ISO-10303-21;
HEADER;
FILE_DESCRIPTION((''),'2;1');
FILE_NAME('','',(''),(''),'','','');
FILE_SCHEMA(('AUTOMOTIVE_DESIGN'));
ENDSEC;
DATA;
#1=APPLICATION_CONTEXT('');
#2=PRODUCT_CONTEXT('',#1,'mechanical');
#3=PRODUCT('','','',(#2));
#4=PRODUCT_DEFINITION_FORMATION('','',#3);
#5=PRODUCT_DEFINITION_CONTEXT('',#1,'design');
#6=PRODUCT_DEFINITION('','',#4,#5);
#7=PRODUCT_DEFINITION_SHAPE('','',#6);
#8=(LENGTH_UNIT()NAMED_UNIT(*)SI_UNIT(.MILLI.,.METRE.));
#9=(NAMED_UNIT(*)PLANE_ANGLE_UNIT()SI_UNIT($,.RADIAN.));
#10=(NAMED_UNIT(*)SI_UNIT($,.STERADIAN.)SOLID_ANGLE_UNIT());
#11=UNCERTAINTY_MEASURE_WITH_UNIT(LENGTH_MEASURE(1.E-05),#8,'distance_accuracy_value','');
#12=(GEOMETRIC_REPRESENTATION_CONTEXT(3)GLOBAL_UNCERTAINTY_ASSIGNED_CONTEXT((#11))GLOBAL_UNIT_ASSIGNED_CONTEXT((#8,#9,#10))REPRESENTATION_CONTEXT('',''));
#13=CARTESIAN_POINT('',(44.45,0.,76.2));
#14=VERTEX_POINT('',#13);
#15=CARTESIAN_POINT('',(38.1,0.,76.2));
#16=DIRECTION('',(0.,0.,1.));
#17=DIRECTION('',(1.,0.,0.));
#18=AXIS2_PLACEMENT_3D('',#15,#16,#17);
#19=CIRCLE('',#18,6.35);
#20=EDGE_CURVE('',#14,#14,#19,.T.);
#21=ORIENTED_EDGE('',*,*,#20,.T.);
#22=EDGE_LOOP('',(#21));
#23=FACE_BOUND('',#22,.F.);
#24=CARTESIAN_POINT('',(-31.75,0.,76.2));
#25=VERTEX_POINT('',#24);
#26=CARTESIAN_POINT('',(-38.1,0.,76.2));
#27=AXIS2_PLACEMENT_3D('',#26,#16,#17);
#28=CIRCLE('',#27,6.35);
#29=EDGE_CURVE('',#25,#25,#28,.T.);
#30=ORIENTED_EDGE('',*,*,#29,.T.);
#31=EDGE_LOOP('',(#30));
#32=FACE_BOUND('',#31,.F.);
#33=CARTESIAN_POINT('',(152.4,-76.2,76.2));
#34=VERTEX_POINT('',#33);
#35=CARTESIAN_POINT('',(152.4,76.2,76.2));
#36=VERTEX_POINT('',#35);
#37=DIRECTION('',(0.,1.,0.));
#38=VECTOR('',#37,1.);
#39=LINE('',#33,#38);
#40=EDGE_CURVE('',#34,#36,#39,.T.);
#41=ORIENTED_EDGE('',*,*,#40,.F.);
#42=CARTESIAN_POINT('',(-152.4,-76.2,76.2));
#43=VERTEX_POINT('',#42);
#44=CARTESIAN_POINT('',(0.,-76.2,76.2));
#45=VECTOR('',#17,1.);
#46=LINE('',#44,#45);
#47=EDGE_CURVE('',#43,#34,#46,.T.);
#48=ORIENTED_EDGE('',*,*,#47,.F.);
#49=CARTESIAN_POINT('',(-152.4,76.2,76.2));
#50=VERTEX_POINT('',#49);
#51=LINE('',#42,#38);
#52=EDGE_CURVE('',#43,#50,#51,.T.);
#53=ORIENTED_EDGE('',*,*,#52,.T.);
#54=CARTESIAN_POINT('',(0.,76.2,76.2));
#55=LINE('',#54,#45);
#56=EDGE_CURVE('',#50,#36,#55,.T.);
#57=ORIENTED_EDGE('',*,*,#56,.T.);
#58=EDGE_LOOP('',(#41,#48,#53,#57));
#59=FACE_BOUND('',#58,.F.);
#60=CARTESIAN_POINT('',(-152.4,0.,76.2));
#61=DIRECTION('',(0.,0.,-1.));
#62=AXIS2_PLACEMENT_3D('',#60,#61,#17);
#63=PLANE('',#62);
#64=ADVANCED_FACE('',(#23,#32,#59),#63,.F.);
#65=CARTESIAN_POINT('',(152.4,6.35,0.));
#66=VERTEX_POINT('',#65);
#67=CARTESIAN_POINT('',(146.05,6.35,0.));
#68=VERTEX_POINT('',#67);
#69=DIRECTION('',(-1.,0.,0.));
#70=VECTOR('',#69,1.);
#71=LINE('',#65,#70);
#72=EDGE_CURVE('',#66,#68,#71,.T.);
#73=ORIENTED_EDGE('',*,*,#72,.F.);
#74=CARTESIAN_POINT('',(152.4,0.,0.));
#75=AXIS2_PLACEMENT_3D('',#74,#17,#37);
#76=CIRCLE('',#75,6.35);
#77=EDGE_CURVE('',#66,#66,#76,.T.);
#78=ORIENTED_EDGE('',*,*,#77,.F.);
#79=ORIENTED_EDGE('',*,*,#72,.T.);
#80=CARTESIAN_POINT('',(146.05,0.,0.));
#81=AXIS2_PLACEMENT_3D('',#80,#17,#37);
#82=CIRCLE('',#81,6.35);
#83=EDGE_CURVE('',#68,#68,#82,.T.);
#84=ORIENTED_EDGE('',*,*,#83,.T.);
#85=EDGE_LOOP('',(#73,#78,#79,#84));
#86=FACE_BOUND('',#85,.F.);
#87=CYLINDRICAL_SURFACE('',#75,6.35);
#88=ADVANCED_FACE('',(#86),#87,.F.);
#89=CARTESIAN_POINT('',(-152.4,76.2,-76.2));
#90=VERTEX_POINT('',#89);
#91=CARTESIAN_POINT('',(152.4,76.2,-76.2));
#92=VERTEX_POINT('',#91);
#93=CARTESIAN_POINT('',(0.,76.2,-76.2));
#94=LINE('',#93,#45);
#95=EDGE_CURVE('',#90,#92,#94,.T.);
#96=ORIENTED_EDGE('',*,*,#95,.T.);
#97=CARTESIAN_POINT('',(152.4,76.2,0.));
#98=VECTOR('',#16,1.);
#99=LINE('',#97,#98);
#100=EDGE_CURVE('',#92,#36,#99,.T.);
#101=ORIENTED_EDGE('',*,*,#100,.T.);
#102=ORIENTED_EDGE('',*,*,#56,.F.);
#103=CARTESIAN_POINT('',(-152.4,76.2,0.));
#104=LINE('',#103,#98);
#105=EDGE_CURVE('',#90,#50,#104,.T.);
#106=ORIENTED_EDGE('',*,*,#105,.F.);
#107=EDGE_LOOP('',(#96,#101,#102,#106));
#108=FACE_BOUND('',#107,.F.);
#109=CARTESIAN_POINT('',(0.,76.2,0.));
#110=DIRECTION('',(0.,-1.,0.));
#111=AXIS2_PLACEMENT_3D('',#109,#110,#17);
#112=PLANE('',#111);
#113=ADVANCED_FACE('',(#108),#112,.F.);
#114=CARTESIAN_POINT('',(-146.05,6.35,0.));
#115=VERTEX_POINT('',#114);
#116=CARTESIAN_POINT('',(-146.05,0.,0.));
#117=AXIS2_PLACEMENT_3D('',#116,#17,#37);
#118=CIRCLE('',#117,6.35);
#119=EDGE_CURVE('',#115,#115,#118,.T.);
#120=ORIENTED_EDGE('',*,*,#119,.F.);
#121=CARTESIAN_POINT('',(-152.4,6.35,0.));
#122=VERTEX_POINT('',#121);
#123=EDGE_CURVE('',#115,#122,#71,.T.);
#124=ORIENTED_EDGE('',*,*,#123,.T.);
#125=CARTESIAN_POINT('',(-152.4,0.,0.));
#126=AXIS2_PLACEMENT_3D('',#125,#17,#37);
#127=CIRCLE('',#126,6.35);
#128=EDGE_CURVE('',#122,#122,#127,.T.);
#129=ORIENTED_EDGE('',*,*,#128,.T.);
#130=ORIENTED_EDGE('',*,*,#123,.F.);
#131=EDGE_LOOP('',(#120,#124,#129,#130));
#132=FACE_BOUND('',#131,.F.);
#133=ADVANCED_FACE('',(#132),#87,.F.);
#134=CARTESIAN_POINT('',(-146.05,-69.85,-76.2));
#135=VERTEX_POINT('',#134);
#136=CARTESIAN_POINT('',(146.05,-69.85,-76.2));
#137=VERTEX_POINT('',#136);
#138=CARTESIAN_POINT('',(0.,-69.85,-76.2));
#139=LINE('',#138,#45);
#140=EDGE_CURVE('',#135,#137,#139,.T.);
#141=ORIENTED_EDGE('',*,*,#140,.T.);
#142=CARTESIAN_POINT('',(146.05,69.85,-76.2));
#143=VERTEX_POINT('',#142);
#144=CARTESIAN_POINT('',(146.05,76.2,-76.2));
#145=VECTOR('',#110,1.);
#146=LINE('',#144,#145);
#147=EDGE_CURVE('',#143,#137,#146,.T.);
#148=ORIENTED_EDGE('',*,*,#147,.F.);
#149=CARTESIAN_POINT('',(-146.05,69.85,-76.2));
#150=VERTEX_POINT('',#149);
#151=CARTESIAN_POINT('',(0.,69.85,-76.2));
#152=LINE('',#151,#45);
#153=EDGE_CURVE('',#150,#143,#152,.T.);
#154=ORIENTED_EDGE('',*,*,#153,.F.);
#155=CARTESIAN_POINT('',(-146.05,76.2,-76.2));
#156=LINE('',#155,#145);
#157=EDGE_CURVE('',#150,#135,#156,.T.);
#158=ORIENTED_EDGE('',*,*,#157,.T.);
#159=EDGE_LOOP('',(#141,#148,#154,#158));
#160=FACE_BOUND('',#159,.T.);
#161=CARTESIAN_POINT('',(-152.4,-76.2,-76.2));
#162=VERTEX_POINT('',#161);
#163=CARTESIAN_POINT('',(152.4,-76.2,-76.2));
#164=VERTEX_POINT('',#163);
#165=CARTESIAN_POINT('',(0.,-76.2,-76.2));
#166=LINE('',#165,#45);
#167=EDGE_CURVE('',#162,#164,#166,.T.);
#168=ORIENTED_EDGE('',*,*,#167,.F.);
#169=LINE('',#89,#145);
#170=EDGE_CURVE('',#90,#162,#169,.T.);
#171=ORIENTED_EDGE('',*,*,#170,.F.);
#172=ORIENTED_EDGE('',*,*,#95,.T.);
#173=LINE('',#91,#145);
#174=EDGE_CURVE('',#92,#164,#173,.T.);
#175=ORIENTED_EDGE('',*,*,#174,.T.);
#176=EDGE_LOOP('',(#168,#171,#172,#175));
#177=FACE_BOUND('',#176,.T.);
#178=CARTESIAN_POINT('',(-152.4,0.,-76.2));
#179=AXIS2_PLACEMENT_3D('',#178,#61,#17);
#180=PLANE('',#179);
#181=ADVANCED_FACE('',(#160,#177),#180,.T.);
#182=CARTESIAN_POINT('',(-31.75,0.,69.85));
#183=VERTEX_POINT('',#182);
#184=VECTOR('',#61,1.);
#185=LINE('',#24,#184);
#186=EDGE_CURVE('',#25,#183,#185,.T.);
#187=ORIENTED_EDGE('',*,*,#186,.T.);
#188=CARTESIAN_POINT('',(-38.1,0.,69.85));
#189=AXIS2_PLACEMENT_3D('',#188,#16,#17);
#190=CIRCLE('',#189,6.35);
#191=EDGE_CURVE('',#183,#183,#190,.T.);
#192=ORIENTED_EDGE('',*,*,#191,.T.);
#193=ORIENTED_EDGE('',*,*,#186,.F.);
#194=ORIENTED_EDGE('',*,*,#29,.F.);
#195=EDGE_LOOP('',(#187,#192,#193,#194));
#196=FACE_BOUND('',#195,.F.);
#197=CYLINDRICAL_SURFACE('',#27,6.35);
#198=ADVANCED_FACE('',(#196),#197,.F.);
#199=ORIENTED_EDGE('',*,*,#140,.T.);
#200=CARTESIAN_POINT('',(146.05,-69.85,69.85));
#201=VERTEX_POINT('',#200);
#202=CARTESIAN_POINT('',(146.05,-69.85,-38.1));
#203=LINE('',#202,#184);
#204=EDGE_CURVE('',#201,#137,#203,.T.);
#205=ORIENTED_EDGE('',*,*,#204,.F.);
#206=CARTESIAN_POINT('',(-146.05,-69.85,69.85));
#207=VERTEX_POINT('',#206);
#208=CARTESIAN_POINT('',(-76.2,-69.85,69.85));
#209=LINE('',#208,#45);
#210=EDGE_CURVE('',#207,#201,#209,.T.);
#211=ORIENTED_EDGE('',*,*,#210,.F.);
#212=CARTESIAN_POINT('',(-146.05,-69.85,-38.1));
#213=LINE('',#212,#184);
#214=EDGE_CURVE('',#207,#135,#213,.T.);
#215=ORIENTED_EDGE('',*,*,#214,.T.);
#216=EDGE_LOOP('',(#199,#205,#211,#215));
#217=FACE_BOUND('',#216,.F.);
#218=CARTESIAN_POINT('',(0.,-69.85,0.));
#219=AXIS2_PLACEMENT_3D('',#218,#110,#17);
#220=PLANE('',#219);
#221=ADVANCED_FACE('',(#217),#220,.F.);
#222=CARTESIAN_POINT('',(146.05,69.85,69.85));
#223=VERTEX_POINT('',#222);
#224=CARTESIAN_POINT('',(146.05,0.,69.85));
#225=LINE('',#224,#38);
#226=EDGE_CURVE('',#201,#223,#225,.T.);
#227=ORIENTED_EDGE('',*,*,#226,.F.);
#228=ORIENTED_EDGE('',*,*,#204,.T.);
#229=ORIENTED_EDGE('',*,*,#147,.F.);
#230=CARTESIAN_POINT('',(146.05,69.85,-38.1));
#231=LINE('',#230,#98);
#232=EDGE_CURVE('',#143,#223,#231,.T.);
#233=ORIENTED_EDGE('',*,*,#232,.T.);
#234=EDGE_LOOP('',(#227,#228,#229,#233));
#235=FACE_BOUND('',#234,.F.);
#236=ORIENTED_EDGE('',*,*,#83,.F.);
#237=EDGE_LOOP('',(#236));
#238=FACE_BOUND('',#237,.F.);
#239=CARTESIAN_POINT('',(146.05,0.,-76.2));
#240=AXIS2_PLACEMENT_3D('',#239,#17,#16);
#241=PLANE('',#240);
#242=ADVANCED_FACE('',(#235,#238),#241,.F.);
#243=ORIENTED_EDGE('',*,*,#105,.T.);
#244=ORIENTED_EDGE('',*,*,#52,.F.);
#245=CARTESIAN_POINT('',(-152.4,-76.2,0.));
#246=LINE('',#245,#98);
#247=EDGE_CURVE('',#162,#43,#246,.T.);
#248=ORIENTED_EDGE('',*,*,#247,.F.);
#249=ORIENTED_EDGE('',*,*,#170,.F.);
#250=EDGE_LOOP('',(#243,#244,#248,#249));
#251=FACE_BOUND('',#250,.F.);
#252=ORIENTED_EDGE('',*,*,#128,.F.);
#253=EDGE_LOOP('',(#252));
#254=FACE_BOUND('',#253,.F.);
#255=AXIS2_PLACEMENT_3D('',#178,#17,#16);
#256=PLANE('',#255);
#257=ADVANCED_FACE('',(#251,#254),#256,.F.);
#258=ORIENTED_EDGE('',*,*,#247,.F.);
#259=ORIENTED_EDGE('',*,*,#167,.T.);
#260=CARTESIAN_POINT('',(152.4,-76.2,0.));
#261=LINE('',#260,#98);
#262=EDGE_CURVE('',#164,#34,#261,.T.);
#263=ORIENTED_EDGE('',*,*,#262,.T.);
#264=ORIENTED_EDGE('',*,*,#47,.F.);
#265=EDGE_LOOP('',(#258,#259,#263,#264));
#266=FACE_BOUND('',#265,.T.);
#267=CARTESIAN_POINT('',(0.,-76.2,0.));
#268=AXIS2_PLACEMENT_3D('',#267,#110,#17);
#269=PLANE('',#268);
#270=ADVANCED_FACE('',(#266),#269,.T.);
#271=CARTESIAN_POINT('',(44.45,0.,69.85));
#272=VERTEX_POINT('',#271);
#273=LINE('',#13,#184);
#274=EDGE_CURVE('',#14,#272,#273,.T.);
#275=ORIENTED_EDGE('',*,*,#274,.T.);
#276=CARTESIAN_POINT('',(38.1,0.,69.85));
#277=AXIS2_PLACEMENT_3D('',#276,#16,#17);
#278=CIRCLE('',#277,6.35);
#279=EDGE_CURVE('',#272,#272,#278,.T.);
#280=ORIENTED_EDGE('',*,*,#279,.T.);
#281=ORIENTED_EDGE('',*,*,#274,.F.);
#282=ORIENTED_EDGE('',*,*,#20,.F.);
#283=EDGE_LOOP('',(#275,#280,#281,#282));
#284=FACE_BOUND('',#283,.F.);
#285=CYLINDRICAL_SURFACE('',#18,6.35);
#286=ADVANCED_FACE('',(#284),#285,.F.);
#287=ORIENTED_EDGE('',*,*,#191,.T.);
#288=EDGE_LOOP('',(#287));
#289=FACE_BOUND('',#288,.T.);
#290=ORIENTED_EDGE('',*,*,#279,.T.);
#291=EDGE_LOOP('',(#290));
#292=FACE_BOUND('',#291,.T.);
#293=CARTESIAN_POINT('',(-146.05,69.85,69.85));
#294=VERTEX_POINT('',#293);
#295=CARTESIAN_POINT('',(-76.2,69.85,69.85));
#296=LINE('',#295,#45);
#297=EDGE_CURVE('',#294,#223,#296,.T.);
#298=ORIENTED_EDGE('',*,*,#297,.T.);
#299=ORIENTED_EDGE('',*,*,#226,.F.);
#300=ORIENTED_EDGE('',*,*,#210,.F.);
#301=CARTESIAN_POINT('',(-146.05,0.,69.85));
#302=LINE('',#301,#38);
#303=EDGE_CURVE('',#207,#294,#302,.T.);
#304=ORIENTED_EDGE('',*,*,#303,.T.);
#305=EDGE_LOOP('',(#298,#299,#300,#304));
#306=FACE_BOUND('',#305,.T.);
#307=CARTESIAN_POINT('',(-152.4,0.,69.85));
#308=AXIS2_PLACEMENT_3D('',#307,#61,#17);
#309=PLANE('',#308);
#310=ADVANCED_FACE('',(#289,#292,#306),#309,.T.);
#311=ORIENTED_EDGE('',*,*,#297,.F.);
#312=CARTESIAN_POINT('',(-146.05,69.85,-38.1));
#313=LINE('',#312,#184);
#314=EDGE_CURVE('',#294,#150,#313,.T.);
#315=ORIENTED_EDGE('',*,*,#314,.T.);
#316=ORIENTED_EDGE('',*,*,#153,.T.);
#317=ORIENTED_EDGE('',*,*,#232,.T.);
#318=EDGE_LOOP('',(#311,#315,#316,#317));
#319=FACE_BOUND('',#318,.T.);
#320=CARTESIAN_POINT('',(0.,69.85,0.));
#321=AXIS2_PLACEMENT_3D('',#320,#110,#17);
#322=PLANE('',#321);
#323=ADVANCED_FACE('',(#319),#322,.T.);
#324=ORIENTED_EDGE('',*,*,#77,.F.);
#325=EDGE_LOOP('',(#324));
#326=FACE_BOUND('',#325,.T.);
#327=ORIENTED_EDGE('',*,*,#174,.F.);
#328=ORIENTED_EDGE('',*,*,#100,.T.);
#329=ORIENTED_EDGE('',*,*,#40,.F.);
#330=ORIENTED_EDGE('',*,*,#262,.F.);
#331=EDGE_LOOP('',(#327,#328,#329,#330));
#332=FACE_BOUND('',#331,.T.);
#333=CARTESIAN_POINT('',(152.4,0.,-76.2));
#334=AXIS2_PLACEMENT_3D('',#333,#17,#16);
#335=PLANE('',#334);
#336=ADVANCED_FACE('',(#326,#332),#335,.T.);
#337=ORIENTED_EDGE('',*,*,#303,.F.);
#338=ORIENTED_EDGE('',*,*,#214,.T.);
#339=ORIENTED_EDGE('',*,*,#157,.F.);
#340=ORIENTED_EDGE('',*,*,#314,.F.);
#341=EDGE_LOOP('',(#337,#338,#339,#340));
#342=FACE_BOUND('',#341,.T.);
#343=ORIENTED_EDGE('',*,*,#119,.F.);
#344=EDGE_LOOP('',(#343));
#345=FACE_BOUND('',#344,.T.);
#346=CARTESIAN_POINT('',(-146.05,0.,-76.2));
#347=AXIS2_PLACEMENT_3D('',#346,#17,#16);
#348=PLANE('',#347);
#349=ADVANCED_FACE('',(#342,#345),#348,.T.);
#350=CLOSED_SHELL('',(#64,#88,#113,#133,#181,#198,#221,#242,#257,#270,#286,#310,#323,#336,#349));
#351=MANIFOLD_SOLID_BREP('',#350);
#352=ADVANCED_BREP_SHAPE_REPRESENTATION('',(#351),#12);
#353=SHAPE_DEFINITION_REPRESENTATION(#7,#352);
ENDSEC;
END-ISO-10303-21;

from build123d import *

# Parameters (mm, degrees)
F0_W     = 304.8
F0_H     = 152.4
F1_DEPTH = 76.2
F2_T     = -6.35
F3_R     = 6.35
F4_DEPTH = 434.16217
F5_R     = 6.35
F6_DEPTH = 64.02061


with BuildPart() as f1:
    # F0 (on Front) → F1 (new body, symmetric)
    with BuildSketch(Plane.XZ):
        Rectangle(F0_W, F0_H)
    extrude(amount=F1_DEPTH, both=True)

    # F2
    f2_openings = [f1.faces().sort_by_distance(p)[0] for p in [
        (0, 0, -76.2),
    ]]
    offset(amount=F2_T, openings=f2_openings)

    # F3 (on face) → F4 (cut)
    with BuildSketch(Plane.YZ.offset(152.4)):
        Circle(F3_R)
    extrude(amount=-F4_DEPTH, mode=Mode.SUBTRACT)

    # F5 (on face) → F6 (cut)
    with BuildSketch(Plane.XY.offset(76.2)):
        with Locations((-38.1, 0)):
            Circle(F5_R)
        with Locations((38.1, 0)):
            Circle(F5_R)
    extrude(amount=-F6_DEPTH, mode=Mode.SUBTRACT)


solid = f1.part
